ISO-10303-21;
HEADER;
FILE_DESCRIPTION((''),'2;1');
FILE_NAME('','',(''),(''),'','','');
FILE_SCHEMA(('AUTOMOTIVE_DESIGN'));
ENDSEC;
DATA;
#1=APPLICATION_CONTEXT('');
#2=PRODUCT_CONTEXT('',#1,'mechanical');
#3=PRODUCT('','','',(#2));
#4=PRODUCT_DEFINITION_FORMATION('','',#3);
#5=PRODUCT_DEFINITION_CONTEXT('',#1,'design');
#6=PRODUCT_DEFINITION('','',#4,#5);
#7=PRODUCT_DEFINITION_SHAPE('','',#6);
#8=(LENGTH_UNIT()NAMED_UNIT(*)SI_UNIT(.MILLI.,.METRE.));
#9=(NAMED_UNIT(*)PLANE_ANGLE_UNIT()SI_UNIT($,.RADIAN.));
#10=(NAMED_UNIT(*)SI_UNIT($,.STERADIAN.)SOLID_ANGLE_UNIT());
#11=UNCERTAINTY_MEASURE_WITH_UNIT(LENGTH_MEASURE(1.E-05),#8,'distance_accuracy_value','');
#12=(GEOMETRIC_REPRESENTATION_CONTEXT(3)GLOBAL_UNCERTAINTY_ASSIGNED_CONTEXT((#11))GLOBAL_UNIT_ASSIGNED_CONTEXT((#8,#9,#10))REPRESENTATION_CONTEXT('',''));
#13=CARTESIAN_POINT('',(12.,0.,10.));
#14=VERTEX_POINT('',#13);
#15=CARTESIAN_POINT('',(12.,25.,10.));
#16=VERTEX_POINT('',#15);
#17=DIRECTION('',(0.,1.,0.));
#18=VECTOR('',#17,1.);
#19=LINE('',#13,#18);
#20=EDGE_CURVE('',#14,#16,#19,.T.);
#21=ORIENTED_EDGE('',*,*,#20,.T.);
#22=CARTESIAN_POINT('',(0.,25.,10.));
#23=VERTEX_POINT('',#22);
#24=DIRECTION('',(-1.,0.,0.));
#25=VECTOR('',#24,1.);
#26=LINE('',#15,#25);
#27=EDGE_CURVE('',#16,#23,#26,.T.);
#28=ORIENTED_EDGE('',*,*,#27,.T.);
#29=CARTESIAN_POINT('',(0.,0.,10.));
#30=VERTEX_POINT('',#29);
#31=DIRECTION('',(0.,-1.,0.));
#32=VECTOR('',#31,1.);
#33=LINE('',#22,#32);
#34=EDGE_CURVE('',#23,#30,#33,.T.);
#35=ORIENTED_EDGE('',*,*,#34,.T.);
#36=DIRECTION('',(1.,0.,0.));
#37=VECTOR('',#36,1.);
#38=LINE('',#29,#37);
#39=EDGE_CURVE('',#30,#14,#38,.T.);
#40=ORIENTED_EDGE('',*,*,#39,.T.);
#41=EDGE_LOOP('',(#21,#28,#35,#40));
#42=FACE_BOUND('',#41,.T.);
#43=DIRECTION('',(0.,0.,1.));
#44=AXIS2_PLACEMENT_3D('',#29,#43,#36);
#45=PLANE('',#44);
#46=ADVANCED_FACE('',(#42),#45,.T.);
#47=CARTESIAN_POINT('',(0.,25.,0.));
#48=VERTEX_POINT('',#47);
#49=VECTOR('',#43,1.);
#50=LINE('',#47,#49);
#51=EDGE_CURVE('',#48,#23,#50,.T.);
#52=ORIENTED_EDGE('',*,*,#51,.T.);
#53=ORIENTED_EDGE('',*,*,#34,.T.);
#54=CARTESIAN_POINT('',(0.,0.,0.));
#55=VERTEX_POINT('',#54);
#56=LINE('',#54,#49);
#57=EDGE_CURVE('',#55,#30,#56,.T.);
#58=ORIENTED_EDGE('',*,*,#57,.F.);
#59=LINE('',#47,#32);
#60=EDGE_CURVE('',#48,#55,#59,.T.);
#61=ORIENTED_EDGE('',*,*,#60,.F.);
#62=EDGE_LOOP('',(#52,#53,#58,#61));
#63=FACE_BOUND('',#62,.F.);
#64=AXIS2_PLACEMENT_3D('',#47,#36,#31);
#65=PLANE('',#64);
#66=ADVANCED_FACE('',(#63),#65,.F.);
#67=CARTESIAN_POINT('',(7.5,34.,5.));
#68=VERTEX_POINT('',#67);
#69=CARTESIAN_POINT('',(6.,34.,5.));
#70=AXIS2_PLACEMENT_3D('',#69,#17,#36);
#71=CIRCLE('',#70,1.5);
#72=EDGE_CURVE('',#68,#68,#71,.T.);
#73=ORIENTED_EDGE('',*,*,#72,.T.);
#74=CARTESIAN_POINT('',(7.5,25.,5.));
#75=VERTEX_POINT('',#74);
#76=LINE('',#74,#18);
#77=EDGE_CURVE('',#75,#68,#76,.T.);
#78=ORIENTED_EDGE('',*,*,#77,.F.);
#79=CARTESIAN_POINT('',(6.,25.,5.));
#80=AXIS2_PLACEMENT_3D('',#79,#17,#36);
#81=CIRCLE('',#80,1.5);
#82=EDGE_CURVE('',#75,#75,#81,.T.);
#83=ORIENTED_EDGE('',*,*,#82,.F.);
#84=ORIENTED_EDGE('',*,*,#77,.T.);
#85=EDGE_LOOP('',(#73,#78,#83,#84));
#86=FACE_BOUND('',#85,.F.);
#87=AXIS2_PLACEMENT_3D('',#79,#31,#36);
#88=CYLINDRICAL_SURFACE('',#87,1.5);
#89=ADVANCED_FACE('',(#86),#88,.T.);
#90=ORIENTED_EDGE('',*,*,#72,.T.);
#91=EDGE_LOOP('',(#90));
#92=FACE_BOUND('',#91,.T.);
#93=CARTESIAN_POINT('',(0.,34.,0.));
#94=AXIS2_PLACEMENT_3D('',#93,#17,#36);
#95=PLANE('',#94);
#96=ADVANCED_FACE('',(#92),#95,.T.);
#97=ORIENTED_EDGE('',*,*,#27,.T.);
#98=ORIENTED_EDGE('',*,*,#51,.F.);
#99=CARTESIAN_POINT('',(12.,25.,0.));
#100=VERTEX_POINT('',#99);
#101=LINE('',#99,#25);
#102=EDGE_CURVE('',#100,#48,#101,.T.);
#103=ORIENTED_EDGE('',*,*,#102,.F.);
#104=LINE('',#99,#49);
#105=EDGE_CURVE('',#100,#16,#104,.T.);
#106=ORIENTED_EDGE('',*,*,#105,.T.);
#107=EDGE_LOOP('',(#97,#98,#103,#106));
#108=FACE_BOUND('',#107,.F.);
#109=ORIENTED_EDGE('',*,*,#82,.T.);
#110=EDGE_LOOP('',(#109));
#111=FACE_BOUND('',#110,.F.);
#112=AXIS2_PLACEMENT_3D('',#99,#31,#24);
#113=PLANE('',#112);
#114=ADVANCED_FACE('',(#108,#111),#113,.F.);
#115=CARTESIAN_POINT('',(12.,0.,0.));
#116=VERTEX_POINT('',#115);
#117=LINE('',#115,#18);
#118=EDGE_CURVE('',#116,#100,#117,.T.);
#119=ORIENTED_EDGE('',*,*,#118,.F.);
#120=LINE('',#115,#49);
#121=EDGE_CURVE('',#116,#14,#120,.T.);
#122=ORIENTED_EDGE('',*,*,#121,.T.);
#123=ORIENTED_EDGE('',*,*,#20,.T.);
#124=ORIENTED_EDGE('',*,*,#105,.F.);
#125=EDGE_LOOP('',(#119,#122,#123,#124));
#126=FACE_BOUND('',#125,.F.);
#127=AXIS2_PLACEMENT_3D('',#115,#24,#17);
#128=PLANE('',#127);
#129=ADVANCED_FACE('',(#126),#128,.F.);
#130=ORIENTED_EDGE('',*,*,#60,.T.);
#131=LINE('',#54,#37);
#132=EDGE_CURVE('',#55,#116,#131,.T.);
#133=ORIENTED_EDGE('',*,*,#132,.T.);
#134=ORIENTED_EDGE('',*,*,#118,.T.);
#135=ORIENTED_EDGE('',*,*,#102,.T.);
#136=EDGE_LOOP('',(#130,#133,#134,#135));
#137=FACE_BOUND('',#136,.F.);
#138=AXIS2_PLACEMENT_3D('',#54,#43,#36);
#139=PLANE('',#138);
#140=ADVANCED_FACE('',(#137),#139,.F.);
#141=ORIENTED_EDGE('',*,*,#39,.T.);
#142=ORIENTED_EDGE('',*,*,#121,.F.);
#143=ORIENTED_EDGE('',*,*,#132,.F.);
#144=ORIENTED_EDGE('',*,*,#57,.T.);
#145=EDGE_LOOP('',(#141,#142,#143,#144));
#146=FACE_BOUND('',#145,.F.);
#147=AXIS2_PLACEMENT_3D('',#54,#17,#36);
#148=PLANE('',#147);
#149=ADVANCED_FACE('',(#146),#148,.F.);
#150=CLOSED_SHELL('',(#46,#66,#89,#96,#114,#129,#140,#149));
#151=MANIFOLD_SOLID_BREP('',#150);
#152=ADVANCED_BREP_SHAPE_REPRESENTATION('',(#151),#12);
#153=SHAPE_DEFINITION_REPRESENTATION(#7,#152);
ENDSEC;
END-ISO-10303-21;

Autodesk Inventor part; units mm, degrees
ref_plane "YZ Plane" through (0, 0, 0) normal (1, 0, 0) x (0, 1, 0)
ref_plane "XZ Plane" through (0, 0, 0) normal (0, 1, 0) x (-1, 0, 0)
sketch "Эскиз1" plane through (0, 0, 0) normal (0, 0, 1) x (1, 0, 0)
  line L0 (0, 0) -> (12, 0)
  line L1 (12, 0) -> (12, 25)
  line L2 (12, 25) -> (0, 25)
  line L3 (0, 25) -> (0, 0)
  dimension "d0" = 25
  dimension "d1" = 12
extrude "Выдавливание1" add sketch "Эскиз1" along normal blind 10
sketch "Эскиз2" plane through (0, 25, 0) normal (0, 1, 0) x (1, 0, 0)
  line L0 (12, 0) -> (0, 0) construction
  line L1 (0, 0) -> (12, -10) construction
  circle A0 centre (6, -5) radius 1.5
  point P0 (12, -10)
  dimension "d4" = 3
extrude "Выдавливание2" add sketch "Эскиз2" along normal blind 9
ref_plane "РабПлоскость1" through (6, 0, 0) normal (1, 0, 0) x (0, 0, -1)
properties part number "мотор_для_шестерни"
